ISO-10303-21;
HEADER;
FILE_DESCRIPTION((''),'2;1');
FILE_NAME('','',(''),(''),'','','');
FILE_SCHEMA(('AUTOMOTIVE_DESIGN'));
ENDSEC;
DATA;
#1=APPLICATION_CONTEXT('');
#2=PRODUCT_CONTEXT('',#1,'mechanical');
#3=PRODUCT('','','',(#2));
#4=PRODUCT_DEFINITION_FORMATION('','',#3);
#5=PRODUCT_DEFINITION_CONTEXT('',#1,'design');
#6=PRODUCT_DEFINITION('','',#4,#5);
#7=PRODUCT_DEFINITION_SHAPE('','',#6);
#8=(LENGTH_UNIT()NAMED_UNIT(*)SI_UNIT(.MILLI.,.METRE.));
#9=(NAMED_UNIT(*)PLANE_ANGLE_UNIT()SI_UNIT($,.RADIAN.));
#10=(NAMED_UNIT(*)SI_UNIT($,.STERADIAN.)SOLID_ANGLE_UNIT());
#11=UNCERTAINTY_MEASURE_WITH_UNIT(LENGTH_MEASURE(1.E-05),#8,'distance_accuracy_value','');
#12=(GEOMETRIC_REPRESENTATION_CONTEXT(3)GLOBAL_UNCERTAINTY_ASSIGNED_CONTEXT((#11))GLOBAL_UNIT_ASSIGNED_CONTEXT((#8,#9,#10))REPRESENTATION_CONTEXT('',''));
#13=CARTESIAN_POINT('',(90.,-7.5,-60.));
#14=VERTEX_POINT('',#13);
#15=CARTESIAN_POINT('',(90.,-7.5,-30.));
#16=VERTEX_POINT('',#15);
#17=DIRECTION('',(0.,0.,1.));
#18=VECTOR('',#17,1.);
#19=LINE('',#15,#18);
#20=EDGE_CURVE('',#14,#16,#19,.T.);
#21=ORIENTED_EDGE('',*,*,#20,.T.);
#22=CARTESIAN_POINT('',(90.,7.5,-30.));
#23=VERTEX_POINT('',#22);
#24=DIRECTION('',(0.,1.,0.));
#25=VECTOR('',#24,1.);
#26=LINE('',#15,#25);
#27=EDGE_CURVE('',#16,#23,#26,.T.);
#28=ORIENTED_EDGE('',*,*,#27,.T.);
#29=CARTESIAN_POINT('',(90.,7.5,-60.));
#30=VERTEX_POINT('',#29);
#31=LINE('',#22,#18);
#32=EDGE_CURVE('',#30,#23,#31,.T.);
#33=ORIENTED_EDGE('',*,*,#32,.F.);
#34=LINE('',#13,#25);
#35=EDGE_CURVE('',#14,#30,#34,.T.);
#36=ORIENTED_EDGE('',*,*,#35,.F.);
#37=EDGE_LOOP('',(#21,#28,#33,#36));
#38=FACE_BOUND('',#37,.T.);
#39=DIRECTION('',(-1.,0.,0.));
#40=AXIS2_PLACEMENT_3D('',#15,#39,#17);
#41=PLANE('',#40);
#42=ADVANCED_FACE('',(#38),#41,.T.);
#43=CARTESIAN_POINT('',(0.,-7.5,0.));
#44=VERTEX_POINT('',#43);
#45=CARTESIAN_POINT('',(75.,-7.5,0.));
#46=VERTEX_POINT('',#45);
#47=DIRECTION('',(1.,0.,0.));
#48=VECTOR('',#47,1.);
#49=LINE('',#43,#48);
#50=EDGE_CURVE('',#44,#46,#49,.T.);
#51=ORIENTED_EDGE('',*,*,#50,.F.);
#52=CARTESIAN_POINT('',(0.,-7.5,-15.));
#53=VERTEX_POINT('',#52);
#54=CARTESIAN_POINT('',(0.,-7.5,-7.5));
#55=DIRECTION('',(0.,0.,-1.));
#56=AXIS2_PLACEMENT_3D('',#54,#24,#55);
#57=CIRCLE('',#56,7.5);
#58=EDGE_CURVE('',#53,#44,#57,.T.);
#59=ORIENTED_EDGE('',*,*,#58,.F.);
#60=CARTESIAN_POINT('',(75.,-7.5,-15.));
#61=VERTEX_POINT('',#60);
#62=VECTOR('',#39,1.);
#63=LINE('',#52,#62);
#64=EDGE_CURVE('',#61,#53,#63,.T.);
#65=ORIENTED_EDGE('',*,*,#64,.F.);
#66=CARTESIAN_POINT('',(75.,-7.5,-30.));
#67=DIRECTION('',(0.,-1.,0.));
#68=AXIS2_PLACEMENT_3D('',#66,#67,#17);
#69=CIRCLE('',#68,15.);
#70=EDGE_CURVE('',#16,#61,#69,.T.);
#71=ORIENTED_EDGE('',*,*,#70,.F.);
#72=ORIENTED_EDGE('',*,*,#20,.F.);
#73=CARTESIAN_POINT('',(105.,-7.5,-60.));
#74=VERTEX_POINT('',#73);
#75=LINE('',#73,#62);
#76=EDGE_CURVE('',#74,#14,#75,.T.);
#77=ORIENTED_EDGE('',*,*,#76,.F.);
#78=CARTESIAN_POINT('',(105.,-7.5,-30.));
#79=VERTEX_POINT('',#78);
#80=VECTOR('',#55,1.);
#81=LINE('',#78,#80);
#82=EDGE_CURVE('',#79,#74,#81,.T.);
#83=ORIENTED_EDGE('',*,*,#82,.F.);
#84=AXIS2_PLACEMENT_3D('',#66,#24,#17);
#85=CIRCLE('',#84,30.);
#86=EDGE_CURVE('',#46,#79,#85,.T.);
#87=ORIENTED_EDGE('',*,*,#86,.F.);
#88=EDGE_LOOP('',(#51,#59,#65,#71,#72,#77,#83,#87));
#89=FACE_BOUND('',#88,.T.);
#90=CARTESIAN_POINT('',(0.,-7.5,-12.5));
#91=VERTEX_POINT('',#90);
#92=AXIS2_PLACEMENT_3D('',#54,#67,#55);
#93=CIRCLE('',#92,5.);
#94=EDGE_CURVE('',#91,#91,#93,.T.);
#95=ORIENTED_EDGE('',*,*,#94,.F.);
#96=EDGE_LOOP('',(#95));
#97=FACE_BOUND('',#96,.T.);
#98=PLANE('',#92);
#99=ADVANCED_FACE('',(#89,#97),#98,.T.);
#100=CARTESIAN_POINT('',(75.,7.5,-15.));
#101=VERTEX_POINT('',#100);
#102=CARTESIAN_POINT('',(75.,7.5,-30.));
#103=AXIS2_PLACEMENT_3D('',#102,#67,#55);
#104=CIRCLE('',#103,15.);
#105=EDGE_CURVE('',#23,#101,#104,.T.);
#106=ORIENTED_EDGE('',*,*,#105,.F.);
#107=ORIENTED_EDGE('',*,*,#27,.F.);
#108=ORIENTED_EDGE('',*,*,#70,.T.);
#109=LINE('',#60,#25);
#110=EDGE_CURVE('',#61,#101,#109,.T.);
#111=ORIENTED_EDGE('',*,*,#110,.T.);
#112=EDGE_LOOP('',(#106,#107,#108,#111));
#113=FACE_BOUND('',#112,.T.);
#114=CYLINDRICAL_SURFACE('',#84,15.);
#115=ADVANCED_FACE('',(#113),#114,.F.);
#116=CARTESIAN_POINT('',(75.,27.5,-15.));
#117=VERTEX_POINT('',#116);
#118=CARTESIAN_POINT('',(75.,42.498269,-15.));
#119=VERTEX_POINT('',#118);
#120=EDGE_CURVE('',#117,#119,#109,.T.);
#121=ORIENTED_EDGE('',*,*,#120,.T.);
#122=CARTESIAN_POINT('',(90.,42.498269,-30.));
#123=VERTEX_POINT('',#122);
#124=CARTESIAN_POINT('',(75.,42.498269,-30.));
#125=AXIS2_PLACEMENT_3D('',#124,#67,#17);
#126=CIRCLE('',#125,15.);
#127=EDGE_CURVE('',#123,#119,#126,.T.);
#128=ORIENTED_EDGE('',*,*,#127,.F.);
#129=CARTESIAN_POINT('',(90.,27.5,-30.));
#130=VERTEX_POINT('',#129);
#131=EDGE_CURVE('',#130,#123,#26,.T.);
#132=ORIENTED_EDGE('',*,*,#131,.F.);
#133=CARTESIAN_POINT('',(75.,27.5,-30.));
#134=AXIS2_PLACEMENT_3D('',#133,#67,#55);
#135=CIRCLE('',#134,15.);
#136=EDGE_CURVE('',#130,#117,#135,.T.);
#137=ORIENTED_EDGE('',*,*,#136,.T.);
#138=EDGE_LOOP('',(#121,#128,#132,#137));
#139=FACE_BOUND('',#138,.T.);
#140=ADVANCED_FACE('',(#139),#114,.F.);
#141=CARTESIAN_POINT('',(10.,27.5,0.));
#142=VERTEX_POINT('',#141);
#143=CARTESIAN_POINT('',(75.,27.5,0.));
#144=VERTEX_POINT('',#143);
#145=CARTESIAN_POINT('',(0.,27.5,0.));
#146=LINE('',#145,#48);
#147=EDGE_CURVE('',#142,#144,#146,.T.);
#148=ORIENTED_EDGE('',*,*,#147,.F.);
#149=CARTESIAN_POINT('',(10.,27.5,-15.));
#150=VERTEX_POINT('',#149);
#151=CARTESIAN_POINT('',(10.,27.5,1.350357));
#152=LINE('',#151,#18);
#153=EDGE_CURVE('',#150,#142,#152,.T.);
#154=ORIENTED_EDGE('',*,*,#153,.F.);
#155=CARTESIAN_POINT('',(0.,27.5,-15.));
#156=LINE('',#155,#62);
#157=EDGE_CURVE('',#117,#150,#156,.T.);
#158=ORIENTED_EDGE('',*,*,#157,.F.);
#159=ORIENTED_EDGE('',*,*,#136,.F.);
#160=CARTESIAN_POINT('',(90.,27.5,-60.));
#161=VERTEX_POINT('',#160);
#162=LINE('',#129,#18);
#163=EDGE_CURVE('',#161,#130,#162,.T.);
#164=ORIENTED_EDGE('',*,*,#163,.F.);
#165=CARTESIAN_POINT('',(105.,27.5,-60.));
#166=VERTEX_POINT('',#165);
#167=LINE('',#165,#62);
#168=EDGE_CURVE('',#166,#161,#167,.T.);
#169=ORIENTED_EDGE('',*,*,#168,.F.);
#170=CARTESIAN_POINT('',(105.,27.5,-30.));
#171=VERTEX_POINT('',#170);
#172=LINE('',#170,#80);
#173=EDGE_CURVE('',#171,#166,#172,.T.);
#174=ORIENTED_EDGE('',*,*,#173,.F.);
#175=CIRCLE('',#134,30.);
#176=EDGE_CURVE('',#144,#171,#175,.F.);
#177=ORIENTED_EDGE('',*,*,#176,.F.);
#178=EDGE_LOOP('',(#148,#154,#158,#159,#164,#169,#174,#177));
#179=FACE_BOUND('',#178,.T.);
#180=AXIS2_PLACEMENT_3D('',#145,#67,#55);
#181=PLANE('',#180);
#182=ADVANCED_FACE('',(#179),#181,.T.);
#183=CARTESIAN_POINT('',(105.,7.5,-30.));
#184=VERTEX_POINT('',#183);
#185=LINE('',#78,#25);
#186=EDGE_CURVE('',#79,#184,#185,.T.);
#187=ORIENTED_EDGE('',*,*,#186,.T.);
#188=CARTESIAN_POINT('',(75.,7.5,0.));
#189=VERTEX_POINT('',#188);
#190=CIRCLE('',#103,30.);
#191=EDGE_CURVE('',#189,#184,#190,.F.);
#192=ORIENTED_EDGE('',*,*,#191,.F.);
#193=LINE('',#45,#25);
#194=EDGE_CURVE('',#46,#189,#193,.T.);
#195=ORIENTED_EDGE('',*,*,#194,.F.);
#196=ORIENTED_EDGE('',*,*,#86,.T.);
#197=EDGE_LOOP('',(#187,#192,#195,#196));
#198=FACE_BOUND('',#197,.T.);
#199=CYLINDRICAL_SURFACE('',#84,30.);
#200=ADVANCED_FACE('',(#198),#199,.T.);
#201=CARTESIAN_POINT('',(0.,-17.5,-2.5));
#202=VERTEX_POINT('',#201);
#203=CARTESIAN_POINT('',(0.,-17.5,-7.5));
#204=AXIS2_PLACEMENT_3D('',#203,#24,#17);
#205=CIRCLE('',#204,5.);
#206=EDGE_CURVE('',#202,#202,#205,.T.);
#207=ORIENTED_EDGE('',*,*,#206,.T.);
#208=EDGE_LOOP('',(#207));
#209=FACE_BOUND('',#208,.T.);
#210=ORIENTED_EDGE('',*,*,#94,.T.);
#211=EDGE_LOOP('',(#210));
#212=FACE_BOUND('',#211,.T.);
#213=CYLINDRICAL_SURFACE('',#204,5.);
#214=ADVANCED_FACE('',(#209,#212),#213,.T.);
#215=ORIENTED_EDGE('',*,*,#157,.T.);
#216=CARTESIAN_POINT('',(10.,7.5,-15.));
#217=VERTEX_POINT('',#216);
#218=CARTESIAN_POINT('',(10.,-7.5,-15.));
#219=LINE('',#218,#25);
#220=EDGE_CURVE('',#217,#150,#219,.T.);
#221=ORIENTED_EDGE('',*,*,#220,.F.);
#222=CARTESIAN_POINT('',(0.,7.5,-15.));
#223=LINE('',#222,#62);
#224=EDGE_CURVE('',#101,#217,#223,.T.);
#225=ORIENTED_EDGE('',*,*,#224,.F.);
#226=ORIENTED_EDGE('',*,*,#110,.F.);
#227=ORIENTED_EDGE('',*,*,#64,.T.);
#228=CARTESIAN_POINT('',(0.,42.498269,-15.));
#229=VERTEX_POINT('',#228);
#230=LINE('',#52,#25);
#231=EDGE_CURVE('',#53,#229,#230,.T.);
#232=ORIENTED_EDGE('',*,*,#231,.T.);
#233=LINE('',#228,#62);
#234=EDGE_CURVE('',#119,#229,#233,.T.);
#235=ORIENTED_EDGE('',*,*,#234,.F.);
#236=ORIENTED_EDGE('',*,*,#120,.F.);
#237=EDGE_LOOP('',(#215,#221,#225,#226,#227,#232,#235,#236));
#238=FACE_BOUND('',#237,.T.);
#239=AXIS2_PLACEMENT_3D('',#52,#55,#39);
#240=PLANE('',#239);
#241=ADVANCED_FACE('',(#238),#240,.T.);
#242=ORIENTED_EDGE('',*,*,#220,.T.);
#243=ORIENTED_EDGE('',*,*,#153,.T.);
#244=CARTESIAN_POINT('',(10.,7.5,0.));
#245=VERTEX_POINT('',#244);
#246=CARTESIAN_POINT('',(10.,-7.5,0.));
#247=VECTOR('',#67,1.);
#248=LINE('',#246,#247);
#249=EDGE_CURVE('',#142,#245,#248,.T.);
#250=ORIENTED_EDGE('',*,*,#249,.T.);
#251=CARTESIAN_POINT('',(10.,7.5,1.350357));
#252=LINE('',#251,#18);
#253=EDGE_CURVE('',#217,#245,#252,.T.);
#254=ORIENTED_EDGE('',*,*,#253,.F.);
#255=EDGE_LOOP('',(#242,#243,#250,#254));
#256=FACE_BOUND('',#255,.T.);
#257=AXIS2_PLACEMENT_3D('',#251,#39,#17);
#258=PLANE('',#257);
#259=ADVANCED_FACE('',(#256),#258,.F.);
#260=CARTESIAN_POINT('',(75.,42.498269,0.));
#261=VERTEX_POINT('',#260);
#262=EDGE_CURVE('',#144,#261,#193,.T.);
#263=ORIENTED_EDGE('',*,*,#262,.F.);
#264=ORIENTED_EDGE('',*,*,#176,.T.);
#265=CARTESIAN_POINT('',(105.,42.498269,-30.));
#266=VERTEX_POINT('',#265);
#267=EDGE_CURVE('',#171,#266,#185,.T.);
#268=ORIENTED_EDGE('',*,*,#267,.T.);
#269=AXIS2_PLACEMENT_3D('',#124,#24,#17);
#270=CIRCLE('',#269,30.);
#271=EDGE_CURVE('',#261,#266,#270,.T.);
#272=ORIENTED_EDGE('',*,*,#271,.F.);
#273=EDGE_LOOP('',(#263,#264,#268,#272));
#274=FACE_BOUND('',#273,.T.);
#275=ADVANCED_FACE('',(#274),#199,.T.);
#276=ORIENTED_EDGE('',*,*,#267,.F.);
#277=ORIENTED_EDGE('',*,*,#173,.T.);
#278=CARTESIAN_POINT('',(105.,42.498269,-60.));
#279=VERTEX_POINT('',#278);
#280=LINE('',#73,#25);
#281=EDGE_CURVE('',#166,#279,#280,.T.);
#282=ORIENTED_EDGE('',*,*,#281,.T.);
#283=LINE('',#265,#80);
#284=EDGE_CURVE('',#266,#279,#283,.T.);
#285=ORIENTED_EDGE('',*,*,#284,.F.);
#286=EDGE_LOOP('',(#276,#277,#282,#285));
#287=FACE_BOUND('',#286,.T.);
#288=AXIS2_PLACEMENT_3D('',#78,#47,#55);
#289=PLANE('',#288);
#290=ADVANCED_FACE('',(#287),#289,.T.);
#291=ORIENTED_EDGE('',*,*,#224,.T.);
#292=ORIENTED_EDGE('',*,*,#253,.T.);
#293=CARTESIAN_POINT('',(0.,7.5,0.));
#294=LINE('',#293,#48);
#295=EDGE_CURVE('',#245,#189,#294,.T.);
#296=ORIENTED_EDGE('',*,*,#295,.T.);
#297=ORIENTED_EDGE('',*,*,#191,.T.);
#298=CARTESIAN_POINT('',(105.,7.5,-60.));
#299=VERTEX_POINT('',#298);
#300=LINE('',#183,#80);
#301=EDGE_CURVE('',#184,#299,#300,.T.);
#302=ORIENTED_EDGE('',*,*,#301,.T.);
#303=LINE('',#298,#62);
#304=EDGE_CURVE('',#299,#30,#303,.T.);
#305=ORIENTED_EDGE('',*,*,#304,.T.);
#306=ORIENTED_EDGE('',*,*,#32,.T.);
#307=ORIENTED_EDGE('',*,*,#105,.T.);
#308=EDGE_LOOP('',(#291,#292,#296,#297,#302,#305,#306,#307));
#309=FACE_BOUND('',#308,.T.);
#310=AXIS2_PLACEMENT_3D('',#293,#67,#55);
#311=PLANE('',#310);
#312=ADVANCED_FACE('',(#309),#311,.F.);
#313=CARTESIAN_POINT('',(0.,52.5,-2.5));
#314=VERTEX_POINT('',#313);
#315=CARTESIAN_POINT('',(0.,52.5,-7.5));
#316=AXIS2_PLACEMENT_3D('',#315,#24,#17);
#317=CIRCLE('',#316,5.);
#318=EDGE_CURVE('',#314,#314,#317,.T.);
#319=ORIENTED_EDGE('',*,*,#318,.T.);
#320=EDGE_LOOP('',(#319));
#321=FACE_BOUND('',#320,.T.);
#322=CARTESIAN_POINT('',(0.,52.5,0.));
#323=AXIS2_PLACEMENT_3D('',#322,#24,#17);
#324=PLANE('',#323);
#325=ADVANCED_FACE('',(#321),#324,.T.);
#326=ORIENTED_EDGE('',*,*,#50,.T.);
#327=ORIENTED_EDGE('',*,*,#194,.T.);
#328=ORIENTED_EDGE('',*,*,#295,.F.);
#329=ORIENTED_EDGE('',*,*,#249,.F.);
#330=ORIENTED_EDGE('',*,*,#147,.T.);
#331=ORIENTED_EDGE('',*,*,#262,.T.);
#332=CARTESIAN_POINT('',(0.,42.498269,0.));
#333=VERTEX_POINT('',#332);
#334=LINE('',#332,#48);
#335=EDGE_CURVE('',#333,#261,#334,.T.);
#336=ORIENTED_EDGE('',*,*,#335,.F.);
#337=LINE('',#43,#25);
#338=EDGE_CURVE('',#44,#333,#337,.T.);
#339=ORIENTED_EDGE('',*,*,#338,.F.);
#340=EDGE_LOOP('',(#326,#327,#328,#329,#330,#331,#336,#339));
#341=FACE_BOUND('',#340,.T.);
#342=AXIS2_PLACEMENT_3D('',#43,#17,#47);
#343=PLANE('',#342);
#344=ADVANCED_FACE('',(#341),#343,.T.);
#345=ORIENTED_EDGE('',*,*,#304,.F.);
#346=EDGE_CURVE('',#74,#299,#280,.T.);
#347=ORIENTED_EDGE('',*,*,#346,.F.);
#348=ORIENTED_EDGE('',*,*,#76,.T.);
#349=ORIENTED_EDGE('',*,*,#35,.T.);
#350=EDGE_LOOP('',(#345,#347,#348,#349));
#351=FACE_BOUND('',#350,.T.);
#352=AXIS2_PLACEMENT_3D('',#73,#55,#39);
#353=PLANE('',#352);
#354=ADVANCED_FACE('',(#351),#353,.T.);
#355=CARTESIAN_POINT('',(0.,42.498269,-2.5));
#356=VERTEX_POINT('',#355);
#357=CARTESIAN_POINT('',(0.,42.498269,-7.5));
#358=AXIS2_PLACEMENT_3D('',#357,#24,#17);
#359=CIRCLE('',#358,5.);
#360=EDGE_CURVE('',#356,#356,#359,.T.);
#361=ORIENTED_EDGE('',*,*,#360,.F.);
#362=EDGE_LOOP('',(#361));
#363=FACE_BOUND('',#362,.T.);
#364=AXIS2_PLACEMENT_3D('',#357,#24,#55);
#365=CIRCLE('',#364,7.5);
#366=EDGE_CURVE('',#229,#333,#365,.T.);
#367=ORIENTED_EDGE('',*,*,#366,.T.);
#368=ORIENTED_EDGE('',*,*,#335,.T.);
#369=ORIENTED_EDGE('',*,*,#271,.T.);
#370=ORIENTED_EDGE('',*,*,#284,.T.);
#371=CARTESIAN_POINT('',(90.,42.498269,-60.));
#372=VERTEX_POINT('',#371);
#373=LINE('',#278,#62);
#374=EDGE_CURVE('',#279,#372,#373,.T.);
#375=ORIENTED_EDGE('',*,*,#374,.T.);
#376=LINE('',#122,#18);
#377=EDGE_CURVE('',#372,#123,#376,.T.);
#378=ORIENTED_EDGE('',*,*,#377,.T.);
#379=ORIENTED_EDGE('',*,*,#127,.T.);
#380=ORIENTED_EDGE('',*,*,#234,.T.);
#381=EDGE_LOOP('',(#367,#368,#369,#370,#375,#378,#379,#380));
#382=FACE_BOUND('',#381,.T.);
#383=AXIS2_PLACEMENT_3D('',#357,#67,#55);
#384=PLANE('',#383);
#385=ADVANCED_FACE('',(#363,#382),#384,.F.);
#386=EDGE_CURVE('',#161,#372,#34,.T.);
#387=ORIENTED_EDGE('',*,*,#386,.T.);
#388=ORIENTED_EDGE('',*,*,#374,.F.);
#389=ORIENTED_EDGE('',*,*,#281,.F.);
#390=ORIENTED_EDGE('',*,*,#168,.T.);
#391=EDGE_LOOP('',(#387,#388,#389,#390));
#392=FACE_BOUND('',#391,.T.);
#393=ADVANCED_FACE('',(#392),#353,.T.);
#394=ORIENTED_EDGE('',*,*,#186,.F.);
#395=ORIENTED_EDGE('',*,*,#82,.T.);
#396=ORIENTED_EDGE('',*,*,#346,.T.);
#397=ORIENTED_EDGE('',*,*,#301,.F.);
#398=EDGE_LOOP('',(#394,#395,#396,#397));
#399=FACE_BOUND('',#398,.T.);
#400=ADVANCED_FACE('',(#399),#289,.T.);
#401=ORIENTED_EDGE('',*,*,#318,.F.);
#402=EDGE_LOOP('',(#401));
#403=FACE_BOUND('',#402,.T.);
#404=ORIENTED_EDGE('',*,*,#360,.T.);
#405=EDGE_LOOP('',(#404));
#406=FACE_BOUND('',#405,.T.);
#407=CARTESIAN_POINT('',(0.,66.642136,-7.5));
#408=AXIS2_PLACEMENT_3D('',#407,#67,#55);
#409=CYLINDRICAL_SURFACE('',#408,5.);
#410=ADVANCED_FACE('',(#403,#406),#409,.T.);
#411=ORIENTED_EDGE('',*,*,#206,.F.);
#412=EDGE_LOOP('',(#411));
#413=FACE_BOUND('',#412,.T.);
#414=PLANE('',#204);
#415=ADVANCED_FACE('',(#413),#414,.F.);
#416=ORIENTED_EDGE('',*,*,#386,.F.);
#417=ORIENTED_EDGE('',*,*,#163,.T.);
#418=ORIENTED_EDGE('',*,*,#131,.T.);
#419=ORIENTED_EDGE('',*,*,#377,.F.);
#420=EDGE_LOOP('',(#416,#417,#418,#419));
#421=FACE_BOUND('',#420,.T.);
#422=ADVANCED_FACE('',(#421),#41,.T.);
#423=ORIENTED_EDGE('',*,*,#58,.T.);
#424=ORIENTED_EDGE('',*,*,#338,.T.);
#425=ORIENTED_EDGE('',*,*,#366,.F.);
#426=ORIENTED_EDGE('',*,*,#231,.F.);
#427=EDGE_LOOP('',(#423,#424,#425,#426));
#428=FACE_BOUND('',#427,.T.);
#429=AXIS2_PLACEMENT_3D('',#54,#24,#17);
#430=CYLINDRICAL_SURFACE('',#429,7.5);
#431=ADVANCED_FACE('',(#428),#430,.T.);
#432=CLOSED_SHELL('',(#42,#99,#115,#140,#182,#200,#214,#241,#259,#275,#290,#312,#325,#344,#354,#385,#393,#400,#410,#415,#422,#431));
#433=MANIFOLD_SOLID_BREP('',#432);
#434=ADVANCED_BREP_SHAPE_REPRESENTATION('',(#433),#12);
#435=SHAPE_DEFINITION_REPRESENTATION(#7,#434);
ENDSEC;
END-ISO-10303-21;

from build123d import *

# Parameters (mm, degrees)
EXTRUDE_1_DEPTH      = 42.498268572
EXTRUDE_1_DEPTH_BACK = 7.5
SKETCH_1_R           = 5
SKETCH_2_R           = 5
EXTRUDE_2_DEPTH      = 17.5
SKETCH_3_R           = 5
EXTRUDE_3_DEPTH      = 52.5
SKETCH_4_W           = 107.730205786
SKETCH_4_H           = 74.358975683
CUT_EXTRUDE_1_DEPTH  = 10


with BuildPart() as part:
    # 草图1 → 凸台-拉伸1 (new, two sides: drawn at the far end of the back side and taken through both)
    with BuildSketch(Plane(origin=(0, 0, 0), x_dir=(1, 0, 0), z_dir=(0, 1, 0)).offset(-EXTRUDE_1_DEPTH_BACK)):
        with BuildLine():
            Line((0, 0), (75, 0))
            ThreePointArc((75, 0), (96.213203436, 8.786796564), (105, 30))
            Line((105, 30), (105, 60))
            Line((105, 60), (90, 60))
            Line((90, 60), (90, 30))
            ThreePointArc((90, 30), (85.606601718, 19.393398282), (75, 15))
            Line((75, 15), (0, 15))
            ThreePointArc((0, 15), (-7.5, 7.5), (0, 0))
        make_face()
        with Locations(Location((0, 7.5, 0), (0, 0, 270))):
            Circle(SKETCH_1_R, mode=Mode.SUBTRACT)
    extrude(amount=EXTRUDE_1_DEPTH + EXTRUDE_1_DEPTH_BACK)

    # 草图2 → 凸台-拉伸2 (add, symmetric)
    with BuildSketch(Plane(origin=(0, 0, 0), x_dir=(1, 0, 0), z_dir=(0, 1, 0))):
        with Locations(Location((0, 7.5, 0), (0, 0, 270))):
            Circle(SKETCH_2_R)
    extrude(amount=EXTRUDE_2_DEPTH, both=True)

    # 草图3 → 凸台-拉伸3 (add)
    with BuildSketch(Plane(origin=(0, 0, 0), x_dir=(1, 0, 0), z_dir=(0, 1, 0))):
        with Locations(Location((0, 7.5, 0), (0, 0, 270))):
            Circle(SKETCH_3_R)
    extrude(amount=EXTRUDE_3_DEPTH)

    # 草图4 → 切除-拉伸1 (cut, symmetric)
    with BuildSketch(Plane(origin=(0, 17.5, 0), x_dir=(1, 0, 0), z_dir=(0, 1, 0))):
        with Locations((63.865102893, 35.82913053)):
            Rectangle(SKETCH_4_W, SKETCH_4_H)
    extrude(amount=CUT_EXTRUDE_1_DEPTH, both=True, mode=Mode.SUBTRACT)


solid = part.part
